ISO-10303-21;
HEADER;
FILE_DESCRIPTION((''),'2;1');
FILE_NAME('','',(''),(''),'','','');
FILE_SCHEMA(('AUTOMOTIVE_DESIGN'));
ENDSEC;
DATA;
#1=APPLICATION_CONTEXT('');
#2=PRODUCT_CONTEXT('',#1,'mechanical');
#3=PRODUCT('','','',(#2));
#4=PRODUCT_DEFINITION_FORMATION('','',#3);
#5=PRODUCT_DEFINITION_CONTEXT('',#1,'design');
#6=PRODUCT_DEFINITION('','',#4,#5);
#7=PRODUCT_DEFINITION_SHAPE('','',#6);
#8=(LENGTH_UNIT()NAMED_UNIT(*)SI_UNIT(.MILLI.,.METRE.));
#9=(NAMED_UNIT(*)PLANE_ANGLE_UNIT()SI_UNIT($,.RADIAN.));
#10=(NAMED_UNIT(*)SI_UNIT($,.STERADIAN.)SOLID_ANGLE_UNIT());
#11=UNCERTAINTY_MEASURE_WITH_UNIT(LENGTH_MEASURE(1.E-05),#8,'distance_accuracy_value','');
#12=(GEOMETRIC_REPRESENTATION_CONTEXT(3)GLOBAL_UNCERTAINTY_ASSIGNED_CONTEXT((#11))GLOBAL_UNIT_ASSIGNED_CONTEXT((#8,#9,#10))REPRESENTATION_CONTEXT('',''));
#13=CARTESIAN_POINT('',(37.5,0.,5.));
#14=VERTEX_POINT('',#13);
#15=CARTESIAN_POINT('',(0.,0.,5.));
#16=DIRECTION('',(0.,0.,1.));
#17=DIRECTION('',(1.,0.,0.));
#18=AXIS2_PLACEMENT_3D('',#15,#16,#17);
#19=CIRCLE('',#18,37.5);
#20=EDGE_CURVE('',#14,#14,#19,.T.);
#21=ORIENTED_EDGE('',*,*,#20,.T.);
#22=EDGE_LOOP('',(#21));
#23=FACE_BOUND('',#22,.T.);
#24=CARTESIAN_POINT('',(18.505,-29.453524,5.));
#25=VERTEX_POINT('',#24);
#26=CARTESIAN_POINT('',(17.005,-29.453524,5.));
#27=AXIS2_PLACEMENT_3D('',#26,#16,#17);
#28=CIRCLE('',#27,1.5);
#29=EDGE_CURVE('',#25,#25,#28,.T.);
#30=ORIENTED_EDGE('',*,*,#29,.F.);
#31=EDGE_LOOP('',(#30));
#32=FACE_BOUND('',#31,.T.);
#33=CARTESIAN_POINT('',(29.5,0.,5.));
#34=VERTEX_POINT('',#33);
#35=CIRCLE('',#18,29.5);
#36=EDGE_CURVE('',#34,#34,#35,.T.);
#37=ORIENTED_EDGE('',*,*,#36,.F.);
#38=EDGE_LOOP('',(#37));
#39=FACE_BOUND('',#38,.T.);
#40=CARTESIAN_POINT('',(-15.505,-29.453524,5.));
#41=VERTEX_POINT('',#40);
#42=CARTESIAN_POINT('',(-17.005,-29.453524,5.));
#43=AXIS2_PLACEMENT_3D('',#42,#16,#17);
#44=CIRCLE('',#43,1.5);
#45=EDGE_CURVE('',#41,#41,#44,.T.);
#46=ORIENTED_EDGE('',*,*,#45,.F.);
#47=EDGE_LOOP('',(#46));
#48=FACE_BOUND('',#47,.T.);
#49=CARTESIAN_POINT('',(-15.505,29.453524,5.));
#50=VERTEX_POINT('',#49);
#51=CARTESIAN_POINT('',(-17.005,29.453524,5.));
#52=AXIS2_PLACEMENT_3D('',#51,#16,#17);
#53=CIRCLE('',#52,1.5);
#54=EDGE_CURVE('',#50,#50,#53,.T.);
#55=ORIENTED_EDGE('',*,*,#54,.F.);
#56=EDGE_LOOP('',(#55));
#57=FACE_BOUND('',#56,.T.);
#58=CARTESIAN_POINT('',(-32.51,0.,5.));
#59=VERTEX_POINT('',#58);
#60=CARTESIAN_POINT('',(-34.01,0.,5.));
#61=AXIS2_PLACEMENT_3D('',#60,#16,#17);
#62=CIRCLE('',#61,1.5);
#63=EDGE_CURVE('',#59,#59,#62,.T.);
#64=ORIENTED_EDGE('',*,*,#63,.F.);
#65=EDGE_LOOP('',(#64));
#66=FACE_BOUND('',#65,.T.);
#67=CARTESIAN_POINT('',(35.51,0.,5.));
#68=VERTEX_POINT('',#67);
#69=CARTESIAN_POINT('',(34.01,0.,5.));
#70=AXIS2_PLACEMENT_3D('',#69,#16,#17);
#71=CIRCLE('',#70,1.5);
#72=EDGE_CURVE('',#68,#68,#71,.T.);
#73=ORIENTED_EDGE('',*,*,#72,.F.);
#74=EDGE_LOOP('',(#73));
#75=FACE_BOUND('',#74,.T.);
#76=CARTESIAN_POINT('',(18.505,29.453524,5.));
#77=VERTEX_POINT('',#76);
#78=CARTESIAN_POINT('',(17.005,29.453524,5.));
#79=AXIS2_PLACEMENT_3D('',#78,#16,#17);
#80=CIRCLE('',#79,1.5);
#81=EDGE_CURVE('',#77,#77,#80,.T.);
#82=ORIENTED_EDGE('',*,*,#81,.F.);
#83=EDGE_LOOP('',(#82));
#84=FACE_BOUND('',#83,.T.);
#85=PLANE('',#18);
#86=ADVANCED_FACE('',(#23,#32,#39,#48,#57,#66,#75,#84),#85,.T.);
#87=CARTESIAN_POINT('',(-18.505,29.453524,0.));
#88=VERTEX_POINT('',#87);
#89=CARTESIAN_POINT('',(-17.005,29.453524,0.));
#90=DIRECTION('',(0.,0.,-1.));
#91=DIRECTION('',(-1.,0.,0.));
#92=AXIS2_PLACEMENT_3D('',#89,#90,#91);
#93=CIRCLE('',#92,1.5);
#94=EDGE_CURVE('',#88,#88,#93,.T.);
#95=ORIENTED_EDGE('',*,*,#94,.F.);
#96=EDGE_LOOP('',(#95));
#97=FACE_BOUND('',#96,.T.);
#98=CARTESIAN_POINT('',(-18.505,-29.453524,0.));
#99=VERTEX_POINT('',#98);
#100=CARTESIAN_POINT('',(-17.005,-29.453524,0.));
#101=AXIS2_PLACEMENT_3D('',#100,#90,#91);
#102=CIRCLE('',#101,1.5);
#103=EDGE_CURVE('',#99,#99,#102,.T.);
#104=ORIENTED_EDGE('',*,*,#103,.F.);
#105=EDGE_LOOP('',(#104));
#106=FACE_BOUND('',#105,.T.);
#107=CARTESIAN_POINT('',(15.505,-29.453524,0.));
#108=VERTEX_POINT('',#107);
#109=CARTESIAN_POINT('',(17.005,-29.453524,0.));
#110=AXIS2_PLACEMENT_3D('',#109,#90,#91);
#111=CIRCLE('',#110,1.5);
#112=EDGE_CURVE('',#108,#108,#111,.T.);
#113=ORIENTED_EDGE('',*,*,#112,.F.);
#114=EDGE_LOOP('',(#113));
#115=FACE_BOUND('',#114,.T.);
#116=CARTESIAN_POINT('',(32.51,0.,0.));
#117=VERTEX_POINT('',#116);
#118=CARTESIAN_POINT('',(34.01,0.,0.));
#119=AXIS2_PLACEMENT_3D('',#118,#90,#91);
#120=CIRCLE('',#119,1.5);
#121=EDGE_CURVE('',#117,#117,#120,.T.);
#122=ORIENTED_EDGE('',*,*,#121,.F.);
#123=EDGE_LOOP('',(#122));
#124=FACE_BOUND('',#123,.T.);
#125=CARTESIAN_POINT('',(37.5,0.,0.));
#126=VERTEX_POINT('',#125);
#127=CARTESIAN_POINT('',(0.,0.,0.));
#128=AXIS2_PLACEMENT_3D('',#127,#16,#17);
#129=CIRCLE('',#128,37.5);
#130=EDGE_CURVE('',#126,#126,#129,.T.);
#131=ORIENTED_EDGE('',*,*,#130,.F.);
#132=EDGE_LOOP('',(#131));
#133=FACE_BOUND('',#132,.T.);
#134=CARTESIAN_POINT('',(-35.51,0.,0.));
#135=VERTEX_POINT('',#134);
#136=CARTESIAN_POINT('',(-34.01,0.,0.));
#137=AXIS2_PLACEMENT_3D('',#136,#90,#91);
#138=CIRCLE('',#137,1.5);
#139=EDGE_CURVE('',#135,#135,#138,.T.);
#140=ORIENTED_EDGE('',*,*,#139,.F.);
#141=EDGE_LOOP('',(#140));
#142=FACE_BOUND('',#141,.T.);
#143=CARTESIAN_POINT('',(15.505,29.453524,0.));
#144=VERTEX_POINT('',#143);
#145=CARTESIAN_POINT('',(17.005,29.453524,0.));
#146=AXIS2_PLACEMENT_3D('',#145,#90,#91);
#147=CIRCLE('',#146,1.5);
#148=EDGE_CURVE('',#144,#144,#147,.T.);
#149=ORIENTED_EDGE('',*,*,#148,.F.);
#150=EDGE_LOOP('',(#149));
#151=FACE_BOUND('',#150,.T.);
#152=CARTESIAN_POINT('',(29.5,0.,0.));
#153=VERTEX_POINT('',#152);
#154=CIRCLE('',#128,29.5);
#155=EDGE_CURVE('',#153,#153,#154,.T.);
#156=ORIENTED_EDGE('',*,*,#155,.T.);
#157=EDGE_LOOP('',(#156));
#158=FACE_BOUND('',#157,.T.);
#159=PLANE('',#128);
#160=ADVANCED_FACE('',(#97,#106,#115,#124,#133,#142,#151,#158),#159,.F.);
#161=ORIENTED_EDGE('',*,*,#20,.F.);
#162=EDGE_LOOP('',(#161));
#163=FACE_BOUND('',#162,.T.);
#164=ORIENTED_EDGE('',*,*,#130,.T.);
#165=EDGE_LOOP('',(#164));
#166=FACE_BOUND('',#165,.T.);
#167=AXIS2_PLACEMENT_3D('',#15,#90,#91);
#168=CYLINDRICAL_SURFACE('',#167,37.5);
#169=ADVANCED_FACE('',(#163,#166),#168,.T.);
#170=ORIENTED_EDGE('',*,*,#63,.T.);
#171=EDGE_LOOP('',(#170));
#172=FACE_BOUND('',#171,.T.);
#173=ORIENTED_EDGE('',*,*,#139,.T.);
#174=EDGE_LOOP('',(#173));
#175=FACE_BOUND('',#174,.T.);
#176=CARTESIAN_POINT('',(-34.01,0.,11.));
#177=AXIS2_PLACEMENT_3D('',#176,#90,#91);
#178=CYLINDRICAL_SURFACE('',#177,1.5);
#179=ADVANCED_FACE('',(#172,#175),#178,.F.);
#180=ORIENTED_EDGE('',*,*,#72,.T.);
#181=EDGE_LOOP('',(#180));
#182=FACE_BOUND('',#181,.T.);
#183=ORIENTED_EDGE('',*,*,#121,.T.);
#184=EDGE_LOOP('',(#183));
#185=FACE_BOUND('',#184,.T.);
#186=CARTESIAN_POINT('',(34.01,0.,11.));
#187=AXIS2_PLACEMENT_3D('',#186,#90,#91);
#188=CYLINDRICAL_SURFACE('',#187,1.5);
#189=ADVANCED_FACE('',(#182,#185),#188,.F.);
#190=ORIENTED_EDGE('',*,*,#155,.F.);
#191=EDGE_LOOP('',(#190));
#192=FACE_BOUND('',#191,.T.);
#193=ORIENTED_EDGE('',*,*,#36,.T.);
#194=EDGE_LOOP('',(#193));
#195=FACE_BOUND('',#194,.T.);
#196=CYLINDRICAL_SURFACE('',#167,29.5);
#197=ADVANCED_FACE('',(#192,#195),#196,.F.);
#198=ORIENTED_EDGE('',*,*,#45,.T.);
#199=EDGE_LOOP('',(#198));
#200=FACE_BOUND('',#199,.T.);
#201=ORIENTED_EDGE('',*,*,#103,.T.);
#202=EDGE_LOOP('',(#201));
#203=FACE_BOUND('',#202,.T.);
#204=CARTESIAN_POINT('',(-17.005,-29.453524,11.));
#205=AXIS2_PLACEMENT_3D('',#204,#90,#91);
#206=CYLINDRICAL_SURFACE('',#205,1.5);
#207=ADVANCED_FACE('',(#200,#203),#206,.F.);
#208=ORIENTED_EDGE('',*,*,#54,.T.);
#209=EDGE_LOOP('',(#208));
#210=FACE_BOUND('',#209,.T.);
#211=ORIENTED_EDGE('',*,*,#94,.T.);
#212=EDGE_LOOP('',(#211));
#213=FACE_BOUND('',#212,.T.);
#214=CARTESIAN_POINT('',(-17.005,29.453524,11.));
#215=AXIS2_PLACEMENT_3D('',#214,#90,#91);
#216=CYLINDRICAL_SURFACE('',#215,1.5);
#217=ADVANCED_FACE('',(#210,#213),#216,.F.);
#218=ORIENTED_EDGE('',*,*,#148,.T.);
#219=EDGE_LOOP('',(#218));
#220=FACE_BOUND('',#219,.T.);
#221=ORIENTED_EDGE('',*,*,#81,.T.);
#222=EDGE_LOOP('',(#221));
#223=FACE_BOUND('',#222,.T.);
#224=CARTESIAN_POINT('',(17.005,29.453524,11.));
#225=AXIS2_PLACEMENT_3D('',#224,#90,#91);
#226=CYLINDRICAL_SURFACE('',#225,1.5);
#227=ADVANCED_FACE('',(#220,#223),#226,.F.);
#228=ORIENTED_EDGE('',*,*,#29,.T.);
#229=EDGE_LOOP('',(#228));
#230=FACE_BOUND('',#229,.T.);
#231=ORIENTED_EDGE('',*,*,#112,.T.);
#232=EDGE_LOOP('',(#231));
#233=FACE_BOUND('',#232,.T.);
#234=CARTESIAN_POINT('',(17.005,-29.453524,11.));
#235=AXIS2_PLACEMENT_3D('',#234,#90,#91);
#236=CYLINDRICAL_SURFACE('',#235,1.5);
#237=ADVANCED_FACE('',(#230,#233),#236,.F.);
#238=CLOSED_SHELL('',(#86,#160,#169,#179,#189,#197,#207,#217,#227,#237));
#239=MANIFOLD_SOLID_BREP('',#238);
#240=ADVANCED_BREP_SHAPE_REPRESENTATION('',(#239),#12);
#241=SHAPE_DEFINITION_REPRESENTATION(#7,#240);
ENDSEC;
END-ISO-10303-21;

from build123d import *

# Parameters (mm, degrees)
SKETCH1_R           = 37.5
SKETCH1_R_2         = 29.5
BOSS_EXTRUDE1_DEPTH = 5
SKETCH2_R           = 1.5
CUT_EXTRUDE1_DEPTH  = 11


with BuildPart() as part:
    # Sketch1 → Boss-Extrude1 (new body)
    with BuildSketch(Plane.XY):
        Circle(SKETCH1_R)
        Circle(SKETCH1_R_2, mode=Mode.SUBTRACT)
    extrude(amount=BOSS_EXTRUDE1_DEPTH)

    # Sketch2 → Cut-Extrude1 (cut)
    with BuildSketch(Plane(origin=(0, 0, 0), x_dir=(-1, 0, 0), z_dir=(0, 0, -1))):
        with Locations((-17.005, 29.453523983)):
            Circle(SKETCH2_R)
        with Locations((17.005, 29.453523983)):
            Circle(SKETCH2_R)
        with Locations((34.01, 0)):
            Circle(SKETCH2_R)
        with Locations((17.005, -29.453523983)):
            Circle(SKETCH2_R)
        with Locations((-17.005, -29.453523983)):
            Circle(SKETCH2_R)
        with Locations((-34.01, 0)):
            Circle(SKETCH2_R)
    extrude(amount=-CUT_EXTRUDE1_DEPTH, mode=Mode.SUBTRACT)


solid = part.part
